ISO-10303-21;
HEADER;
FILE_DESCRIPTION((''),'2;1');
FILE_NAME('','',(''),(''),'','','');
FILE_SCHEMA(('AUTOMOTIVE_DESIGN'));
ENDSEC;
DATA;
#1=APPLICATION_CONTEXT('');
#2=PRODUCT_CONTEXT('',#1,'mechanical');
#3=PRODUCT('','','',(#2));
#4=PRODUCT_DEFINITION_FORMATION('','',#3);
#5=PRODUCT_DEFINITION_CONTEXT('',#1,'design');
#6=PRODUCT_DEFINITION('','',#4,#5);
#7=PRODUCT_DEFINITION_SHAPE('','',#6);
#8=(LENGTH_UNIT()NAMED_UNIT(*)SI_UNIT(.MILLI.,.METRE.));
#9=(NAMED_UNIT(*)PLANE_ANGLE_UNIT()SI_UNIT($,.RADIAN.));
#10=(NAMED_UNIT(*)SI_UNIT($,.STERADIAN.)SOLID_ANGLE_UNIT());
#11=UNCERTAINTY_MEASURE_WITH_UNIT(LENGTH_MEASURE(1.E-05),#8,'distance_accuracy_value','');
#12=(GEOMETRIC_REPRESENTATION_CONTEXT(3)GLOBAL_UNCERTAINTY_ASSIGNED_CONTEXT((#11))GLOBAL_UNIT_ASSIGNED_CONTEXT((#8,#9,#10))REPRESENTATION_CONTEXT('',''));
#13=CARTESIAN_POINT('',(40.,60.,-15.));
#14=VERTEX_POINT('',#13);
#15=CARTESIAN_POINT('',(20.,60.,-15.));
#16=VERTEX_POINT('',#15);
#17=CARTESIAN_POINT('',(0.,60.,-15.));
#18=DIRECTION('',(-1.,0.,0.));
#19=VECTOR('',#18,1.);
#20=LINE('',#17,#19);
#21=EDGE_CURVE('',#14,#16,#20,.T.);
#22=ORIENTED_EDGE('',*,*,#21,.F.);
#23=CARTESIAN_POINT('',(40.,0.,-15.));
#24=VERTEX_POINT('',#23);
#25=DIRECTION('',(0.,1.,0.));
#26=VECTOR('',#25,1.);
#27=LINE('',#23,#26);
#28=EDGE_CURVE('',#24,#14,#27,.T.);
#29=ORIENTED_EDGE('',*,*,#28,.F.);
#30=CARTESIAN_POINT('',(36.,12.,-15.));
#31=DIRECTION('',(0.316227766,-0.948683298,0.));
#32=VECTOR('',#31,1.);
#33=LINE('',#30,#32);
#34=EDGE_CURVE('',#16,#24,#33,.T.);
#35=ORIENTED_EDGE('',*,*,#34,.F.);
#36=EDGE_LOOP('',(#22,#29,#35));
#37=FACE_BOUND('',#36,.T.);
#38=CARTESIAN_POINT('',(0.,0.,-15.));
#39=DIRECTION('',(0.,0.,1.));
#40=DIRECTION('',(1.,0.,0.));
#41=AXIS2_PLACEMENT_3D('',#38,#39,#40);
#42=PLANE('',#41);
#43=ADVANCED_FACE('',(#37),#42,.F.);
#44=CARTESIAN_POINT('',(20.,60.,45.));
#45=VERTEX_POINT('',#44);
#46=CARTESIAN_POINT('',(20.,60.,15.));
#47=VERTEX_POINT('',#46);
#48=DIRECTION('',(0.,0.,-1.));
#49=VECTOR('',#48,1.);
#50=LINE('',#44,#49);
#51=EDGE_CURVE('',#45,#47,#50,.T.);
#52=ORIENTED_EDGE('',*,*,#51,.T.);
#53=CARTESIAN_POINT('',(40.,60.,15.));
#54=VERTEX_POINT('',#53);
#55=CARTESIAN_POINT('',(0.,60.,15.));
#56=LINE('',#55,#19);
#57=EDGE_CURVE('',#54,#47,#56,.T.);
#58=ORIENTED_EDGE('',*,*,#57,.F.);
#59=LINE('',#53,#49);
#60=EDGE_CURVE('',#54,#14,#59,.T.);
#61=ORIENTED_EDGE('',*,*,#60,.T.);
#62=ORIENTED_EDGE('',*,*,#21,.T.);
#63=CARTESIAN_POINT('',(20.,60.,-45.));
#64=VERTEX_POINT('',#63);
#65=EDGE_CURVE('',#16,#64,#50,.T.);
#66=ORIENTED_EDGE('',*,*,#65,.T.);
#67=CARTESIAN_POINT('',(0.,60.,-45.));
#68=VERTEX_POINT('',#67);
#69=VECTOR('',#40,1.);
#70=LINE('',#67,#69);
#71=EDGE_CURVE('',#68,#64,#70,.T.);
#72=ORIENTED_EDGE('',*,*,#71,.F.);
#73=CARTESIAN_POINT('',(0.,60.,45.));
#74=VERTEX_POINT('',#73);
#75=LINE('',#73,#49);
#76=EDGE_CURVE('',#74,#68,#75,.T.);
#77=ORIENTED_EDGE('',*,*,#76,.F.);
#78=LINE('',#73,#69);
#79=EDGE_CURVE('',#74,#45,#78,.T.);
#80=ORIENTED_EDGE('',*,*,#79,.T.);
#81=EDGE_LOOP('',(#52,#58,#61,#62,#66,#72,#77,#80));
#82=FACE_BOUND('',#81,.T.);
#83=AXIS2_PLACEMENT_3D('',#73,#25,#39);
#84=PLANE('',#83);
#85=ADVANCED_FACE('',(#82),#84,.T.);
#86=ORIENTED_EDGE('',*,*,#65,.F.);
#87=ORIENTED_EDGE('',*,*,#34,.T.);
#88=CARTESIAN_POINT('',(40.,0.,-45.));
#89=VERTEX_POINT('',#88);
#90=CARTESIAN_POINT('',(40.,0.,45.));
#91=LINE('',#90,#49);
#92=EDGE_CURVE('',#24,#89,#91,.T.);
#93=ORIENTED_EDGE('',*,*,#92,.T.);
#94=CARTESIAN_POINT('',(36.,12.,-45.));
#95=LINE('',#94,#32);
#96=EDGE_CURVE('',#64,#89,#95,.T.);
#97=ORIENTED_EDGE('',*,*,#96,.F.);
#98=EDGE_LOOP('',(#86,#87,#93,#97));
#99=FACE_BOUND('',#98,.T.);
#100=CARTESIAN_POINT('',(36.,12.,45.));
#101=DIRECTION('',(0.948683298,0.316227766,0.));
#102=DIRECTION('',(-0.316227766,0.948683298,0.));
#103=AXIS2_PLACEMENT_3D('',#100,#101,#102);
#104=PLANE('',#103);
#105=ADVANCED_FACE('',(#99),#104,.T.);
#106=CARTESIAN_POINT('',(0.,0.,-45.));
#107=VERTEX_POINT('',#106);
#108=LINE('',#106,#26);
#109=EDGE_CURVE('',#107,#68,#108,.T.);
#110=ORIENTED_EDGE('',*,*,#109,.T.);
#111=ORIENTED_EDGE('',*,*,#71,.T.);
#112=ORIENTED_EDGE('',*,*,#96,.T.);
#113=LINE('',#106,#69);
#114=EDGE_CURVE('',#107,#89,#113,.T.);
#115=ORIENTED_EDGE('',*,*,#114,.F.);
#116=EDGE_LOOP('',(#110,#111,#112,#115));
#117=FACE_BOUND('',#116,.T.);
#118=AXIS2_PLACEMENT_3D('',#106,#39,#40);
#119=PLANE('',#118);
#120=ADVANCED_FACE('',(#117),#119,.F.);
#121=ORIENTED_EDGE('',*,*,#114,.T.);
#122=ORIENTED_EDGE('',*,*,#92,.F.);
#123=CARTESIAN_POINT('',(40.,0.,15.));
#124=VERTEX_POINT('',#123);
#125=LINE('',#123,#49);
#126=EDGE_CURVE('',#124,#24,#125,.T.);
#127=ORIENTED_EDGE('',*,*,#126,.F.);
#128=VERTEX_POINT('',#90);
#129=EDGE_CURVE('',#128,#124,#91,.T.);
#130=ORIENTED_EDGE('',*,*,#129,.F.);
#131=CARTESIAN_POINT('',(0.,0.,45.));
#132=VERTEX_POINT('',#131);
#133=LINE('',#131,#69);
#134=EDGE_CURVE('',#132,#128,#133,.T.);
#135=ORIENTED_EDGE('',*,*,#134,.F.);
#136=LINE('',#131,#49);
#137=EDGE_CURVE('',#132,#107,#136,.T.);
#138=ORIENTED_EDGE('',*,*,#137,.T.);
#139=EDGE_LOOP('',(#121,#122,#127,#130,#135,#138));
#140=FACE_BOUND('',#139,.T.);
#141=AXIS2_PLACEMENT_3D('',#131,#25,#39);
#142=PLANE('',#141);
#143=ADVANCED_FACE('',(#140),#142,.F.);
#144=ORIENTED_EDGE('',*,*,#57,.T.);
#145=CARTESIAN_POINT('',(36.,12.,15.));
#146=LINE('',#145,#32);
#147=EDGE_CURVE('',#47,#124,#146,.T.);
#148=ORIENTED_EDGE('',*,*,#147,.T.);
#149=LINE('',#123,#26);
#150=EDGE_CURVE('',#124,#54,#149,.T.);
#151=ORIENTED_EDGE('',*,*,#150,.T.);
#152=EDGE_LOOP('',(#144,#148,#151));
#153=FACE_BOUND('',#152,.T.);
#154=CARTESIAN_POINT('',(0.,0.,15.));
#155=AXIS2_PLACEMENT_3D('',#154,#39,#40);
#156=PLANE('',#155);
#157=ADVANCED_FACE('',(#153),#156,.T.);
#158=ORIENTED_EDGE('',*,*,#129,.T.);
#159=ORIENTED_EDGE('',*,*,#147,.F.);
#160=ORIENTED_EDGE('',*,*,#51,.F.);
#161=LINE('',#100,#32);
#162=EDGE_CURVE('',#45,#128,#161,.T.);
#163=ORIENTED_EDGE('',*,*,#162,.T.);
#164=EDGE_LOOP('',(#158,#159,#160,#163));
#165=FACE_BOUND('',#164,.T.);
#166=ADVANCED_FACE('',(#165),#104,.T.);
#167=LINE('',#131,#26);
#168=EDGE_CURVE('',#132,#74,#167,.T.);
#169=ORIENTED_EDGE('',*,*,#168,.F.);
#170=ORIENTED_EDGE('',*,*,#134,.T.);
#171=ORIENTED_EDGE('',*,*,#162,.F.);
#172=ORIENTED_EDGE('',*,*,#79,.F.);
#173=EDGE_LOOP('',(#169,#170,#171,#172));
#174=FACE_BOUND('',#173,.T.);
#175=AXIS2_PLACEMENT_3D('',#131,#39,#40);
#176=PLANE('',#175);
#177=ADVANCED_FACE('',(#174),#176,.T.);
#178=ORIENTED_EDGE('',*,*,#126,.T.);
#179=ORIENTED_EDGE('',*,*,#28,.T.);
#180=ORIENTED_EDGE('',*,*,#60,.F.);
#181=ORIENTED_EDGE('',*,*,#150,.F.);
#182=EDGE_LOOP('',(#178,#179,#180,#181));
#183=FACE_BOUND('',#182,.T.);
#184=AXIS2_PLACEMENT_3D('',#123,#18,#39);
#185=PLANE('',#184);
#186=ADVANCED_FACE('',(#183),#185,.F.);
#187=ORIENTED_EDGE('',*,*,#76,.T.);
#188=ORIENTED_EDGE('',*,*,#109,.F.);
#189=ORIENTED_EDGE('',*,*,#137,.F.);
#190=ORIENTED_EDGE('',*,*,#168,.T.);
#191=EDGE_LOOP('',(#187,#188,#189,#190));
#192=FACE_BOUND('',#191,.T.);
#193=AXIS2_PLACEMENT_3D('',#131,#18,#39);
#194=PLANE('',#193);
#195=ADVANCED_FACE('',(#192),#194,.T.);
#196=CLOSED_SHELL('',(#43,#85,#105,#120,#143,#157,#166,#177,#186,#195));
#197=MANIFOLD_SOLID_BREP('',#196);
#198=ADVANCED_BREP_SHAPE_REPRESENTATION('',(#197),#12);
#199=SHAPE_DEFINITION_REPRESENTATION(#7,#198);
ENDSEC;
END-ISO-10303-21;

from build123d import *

# Parameters (mm, degrees)
BOSS_EXTRUDE1_DEPTH = 45
BOSS_EXTRUDE2_DEPTH = 15


with BuildPart() as part:
    # Sketch1 → Boss-Extrude1 (new, symmetric)
    with BuildSketch(Plane.XY):
        Polygon((40, 0), (20, 60), (0, 60), (0, 0), align=None)
    extrude(amount=BOSS_EXTRUDE1_DEPTH, both=True)

    # Sketch1<3> → Boss-Extrude2 (add, symmetric)
    with BuildSketch(Plane.XY):
        Polygon((40, 0), (40, 60), (20, 60), align=None)
    extrude(amount=BOSS_EXTRUDE2_DEPTH, both=True)


solid = part.part
